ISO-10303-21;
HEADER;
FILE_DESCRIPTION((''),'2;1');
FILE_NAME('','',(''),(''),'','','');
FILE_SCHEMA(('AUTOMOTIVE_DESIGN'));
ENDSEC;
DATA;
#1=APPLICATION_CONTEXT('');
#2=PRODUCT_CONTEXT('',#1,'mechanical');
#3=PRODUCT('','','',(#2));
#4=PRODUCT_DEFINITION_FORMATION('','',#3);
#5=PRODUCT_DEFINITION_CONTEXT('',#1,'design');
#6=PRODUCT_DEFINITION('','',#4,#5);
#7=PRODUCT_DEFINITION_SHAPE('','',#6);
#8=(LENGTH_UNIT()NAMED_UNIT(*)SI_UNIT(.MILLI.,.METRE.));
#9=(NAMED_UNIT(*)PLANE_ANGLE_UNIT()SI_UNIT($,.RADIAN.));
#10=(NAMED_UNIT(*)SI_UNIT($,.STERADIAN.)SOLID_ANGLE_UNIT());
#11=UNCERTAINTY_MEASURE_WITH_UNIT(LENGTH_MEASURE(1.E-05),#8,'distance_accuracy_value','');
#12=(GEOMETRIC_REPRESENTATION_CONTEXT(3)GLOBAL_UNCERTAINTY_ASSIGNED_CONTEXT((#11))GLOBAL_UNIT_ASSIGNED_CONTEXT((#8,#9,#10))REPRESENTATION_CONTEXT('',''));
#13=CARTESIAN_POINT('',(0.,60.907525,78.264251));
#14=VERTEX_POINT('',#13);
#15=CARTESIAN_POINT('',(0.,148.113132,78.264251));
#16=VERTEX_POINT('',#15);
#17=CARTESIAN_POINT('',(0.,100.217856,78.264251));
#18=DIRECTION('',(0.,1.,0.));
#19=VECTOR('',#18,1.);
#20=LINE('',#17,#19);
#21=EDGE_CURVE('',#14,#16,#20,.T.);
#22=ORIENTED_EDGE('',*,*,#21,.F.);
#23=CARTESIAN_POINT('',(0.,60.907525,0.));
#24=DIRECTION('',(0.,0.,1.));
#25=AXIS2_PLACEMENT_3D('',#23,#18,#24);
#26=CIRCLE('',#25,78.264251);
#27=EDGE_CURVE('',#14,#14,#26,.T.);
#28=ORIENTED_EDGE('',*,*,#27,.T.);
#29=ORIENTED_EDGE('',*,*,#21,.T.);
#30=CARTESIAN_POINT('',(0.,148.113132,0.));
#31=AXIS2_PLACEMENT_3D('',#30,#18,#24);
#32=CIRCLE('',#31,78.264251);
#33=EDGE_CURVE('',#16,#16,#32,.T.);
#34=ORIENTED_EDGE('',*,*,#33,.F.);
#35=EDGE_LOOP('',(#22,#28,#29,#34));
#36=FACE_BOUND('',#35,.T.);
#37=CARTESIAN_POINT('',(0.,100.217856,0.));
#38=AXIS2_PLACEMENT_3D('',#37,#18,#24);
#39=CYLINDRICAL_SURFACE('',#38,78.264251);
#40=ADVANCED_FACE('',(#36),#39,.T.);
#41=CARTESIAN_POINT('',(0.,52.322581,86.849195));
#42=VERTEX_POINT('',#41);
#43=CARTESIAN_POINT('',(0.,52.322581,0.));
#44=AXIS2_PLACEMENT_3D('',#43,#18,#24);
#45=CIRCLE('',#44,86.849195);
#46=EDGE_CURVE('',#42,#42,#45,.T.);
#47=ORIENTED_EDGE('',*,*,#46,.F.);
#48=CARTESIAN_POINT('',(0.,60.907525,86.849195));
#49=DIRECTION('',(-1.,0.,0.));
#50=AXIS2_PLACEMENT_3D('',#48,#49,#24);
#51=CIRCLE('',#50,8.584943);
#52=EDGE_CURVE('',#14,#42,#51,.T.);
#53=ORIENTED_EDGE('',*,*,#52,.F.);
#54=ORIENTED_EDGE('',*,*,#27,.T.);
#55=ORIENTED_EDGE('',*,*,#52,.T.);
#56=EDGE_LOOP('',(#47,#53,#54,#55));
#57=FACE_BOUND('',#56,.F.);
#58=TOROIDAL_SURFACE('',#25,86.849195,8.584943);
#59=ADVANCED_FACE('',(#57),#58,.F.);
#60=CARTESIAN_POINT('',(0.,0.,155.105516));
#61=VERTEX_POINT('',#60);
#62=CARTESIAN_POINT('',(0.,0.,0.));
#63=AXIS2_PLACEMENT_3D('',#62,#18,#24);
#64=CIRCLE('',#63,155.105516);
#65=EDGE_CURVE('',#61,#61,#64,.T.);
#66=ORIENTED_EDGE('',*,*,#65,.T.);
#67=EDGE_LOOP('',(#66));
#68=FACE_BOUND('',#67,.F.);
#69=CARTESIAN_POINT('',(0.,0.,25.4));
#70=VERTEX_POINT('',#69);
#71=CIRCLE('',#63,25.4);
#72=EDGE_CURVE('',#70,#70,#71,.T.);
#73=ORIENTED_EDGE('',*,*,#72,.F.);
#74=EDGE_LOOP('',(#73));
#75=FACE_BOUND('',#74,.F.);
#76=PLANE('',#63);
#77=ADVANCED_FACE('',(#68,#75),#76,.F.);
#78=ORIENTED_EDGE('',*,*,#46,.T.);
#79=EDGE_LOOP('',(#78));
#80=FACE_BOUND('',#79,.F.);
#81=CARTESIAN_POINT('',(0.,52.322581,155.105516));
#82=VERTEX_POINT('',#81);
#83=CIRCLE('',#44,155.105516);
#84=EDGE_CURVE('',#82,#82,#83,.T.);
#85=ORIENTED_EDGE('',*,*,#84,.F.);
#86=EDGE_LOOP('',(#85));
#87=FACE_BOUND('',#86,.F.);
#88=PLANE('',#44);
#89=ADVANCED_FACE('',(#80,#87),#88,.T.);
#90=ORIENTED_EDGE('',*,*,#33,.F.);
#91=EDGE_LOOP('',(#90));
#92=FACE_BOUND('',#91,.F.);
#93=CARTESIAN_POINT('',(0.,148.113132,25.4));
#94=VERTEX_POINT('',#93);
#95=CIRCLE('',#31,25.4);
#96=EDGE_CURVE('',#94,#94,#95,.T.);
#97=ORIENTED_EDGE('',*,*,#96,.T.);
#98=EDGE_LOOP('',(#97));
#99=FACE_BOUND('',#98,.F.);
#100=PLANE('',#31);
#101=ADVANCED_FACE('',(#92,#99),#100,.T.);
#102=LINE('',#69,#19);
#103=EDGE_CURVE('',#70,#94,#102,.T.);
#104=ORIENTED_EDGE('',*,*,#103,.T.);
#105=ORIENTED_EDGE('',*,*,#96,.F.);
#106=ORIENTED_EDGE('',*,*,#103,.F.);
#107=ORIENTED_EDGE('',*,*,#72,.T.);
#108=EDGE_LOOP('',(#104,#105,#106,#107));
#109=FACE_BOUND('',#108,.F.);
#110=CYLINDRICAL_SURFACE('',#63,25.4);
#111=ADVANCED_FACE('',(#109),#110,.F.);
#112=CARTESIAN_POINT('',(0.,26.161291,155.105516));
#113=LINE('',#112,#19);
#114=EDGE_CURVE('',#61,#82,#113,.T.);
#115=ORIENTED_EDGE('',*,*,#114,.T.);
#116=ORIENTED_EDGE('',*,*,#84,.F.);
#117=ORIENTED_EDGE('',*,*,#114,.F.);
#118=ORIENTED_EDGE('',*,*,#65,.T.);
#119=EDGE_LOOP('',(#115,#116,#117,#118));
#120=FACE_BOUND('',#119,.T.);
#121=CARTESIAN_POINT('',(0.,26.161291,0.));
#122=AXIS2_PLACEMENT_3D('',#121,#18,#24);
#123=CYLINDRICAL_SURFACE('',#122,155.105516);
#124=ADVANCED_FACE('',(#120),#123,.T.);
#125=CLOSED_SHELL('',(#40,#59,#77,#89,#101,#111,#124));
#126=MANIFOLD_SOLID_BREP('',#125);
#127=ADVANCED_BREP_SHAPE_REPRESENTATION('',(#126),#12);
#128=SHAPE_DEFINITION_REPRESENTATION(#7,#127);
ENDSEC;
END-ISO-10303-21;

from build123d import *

# Parameters (mm, degrees)
F0_W   = 52.3225814104
F0_H   = 76.8412649632
F0_H_2 = 52.8642513514
F0_W_2 = 95.7905501127
F2_R   = 8.5849434278


with BuildPart() as f1:
    # F0 (on Right) → F1 (revolve)
    with BuildSketch(Plane.YZ):
        with Locations((26.1612907052, 116.6848838329)):
            Rectangle(F0_W, F0_H)
        with Locations((26.1612907052, 51.8321256757)):
            Rectangle(F0_W, F0_H_2)
        with Locations((100.2178564668, 51.8321256757)):
            Rectangle(F0_W_2, F0_H_2)
    revolve(axis=Axis((0, 74.0565657616, 0), (0, 1, 0)))

    # F2
    f2_edges = [f1.edges().sort_by_distance(p)[0] for p in [
        (0, 52.322581, -78.264251),
    ]]
    fillet(f2_edges, radius=F2_R)


solid = f1.part
